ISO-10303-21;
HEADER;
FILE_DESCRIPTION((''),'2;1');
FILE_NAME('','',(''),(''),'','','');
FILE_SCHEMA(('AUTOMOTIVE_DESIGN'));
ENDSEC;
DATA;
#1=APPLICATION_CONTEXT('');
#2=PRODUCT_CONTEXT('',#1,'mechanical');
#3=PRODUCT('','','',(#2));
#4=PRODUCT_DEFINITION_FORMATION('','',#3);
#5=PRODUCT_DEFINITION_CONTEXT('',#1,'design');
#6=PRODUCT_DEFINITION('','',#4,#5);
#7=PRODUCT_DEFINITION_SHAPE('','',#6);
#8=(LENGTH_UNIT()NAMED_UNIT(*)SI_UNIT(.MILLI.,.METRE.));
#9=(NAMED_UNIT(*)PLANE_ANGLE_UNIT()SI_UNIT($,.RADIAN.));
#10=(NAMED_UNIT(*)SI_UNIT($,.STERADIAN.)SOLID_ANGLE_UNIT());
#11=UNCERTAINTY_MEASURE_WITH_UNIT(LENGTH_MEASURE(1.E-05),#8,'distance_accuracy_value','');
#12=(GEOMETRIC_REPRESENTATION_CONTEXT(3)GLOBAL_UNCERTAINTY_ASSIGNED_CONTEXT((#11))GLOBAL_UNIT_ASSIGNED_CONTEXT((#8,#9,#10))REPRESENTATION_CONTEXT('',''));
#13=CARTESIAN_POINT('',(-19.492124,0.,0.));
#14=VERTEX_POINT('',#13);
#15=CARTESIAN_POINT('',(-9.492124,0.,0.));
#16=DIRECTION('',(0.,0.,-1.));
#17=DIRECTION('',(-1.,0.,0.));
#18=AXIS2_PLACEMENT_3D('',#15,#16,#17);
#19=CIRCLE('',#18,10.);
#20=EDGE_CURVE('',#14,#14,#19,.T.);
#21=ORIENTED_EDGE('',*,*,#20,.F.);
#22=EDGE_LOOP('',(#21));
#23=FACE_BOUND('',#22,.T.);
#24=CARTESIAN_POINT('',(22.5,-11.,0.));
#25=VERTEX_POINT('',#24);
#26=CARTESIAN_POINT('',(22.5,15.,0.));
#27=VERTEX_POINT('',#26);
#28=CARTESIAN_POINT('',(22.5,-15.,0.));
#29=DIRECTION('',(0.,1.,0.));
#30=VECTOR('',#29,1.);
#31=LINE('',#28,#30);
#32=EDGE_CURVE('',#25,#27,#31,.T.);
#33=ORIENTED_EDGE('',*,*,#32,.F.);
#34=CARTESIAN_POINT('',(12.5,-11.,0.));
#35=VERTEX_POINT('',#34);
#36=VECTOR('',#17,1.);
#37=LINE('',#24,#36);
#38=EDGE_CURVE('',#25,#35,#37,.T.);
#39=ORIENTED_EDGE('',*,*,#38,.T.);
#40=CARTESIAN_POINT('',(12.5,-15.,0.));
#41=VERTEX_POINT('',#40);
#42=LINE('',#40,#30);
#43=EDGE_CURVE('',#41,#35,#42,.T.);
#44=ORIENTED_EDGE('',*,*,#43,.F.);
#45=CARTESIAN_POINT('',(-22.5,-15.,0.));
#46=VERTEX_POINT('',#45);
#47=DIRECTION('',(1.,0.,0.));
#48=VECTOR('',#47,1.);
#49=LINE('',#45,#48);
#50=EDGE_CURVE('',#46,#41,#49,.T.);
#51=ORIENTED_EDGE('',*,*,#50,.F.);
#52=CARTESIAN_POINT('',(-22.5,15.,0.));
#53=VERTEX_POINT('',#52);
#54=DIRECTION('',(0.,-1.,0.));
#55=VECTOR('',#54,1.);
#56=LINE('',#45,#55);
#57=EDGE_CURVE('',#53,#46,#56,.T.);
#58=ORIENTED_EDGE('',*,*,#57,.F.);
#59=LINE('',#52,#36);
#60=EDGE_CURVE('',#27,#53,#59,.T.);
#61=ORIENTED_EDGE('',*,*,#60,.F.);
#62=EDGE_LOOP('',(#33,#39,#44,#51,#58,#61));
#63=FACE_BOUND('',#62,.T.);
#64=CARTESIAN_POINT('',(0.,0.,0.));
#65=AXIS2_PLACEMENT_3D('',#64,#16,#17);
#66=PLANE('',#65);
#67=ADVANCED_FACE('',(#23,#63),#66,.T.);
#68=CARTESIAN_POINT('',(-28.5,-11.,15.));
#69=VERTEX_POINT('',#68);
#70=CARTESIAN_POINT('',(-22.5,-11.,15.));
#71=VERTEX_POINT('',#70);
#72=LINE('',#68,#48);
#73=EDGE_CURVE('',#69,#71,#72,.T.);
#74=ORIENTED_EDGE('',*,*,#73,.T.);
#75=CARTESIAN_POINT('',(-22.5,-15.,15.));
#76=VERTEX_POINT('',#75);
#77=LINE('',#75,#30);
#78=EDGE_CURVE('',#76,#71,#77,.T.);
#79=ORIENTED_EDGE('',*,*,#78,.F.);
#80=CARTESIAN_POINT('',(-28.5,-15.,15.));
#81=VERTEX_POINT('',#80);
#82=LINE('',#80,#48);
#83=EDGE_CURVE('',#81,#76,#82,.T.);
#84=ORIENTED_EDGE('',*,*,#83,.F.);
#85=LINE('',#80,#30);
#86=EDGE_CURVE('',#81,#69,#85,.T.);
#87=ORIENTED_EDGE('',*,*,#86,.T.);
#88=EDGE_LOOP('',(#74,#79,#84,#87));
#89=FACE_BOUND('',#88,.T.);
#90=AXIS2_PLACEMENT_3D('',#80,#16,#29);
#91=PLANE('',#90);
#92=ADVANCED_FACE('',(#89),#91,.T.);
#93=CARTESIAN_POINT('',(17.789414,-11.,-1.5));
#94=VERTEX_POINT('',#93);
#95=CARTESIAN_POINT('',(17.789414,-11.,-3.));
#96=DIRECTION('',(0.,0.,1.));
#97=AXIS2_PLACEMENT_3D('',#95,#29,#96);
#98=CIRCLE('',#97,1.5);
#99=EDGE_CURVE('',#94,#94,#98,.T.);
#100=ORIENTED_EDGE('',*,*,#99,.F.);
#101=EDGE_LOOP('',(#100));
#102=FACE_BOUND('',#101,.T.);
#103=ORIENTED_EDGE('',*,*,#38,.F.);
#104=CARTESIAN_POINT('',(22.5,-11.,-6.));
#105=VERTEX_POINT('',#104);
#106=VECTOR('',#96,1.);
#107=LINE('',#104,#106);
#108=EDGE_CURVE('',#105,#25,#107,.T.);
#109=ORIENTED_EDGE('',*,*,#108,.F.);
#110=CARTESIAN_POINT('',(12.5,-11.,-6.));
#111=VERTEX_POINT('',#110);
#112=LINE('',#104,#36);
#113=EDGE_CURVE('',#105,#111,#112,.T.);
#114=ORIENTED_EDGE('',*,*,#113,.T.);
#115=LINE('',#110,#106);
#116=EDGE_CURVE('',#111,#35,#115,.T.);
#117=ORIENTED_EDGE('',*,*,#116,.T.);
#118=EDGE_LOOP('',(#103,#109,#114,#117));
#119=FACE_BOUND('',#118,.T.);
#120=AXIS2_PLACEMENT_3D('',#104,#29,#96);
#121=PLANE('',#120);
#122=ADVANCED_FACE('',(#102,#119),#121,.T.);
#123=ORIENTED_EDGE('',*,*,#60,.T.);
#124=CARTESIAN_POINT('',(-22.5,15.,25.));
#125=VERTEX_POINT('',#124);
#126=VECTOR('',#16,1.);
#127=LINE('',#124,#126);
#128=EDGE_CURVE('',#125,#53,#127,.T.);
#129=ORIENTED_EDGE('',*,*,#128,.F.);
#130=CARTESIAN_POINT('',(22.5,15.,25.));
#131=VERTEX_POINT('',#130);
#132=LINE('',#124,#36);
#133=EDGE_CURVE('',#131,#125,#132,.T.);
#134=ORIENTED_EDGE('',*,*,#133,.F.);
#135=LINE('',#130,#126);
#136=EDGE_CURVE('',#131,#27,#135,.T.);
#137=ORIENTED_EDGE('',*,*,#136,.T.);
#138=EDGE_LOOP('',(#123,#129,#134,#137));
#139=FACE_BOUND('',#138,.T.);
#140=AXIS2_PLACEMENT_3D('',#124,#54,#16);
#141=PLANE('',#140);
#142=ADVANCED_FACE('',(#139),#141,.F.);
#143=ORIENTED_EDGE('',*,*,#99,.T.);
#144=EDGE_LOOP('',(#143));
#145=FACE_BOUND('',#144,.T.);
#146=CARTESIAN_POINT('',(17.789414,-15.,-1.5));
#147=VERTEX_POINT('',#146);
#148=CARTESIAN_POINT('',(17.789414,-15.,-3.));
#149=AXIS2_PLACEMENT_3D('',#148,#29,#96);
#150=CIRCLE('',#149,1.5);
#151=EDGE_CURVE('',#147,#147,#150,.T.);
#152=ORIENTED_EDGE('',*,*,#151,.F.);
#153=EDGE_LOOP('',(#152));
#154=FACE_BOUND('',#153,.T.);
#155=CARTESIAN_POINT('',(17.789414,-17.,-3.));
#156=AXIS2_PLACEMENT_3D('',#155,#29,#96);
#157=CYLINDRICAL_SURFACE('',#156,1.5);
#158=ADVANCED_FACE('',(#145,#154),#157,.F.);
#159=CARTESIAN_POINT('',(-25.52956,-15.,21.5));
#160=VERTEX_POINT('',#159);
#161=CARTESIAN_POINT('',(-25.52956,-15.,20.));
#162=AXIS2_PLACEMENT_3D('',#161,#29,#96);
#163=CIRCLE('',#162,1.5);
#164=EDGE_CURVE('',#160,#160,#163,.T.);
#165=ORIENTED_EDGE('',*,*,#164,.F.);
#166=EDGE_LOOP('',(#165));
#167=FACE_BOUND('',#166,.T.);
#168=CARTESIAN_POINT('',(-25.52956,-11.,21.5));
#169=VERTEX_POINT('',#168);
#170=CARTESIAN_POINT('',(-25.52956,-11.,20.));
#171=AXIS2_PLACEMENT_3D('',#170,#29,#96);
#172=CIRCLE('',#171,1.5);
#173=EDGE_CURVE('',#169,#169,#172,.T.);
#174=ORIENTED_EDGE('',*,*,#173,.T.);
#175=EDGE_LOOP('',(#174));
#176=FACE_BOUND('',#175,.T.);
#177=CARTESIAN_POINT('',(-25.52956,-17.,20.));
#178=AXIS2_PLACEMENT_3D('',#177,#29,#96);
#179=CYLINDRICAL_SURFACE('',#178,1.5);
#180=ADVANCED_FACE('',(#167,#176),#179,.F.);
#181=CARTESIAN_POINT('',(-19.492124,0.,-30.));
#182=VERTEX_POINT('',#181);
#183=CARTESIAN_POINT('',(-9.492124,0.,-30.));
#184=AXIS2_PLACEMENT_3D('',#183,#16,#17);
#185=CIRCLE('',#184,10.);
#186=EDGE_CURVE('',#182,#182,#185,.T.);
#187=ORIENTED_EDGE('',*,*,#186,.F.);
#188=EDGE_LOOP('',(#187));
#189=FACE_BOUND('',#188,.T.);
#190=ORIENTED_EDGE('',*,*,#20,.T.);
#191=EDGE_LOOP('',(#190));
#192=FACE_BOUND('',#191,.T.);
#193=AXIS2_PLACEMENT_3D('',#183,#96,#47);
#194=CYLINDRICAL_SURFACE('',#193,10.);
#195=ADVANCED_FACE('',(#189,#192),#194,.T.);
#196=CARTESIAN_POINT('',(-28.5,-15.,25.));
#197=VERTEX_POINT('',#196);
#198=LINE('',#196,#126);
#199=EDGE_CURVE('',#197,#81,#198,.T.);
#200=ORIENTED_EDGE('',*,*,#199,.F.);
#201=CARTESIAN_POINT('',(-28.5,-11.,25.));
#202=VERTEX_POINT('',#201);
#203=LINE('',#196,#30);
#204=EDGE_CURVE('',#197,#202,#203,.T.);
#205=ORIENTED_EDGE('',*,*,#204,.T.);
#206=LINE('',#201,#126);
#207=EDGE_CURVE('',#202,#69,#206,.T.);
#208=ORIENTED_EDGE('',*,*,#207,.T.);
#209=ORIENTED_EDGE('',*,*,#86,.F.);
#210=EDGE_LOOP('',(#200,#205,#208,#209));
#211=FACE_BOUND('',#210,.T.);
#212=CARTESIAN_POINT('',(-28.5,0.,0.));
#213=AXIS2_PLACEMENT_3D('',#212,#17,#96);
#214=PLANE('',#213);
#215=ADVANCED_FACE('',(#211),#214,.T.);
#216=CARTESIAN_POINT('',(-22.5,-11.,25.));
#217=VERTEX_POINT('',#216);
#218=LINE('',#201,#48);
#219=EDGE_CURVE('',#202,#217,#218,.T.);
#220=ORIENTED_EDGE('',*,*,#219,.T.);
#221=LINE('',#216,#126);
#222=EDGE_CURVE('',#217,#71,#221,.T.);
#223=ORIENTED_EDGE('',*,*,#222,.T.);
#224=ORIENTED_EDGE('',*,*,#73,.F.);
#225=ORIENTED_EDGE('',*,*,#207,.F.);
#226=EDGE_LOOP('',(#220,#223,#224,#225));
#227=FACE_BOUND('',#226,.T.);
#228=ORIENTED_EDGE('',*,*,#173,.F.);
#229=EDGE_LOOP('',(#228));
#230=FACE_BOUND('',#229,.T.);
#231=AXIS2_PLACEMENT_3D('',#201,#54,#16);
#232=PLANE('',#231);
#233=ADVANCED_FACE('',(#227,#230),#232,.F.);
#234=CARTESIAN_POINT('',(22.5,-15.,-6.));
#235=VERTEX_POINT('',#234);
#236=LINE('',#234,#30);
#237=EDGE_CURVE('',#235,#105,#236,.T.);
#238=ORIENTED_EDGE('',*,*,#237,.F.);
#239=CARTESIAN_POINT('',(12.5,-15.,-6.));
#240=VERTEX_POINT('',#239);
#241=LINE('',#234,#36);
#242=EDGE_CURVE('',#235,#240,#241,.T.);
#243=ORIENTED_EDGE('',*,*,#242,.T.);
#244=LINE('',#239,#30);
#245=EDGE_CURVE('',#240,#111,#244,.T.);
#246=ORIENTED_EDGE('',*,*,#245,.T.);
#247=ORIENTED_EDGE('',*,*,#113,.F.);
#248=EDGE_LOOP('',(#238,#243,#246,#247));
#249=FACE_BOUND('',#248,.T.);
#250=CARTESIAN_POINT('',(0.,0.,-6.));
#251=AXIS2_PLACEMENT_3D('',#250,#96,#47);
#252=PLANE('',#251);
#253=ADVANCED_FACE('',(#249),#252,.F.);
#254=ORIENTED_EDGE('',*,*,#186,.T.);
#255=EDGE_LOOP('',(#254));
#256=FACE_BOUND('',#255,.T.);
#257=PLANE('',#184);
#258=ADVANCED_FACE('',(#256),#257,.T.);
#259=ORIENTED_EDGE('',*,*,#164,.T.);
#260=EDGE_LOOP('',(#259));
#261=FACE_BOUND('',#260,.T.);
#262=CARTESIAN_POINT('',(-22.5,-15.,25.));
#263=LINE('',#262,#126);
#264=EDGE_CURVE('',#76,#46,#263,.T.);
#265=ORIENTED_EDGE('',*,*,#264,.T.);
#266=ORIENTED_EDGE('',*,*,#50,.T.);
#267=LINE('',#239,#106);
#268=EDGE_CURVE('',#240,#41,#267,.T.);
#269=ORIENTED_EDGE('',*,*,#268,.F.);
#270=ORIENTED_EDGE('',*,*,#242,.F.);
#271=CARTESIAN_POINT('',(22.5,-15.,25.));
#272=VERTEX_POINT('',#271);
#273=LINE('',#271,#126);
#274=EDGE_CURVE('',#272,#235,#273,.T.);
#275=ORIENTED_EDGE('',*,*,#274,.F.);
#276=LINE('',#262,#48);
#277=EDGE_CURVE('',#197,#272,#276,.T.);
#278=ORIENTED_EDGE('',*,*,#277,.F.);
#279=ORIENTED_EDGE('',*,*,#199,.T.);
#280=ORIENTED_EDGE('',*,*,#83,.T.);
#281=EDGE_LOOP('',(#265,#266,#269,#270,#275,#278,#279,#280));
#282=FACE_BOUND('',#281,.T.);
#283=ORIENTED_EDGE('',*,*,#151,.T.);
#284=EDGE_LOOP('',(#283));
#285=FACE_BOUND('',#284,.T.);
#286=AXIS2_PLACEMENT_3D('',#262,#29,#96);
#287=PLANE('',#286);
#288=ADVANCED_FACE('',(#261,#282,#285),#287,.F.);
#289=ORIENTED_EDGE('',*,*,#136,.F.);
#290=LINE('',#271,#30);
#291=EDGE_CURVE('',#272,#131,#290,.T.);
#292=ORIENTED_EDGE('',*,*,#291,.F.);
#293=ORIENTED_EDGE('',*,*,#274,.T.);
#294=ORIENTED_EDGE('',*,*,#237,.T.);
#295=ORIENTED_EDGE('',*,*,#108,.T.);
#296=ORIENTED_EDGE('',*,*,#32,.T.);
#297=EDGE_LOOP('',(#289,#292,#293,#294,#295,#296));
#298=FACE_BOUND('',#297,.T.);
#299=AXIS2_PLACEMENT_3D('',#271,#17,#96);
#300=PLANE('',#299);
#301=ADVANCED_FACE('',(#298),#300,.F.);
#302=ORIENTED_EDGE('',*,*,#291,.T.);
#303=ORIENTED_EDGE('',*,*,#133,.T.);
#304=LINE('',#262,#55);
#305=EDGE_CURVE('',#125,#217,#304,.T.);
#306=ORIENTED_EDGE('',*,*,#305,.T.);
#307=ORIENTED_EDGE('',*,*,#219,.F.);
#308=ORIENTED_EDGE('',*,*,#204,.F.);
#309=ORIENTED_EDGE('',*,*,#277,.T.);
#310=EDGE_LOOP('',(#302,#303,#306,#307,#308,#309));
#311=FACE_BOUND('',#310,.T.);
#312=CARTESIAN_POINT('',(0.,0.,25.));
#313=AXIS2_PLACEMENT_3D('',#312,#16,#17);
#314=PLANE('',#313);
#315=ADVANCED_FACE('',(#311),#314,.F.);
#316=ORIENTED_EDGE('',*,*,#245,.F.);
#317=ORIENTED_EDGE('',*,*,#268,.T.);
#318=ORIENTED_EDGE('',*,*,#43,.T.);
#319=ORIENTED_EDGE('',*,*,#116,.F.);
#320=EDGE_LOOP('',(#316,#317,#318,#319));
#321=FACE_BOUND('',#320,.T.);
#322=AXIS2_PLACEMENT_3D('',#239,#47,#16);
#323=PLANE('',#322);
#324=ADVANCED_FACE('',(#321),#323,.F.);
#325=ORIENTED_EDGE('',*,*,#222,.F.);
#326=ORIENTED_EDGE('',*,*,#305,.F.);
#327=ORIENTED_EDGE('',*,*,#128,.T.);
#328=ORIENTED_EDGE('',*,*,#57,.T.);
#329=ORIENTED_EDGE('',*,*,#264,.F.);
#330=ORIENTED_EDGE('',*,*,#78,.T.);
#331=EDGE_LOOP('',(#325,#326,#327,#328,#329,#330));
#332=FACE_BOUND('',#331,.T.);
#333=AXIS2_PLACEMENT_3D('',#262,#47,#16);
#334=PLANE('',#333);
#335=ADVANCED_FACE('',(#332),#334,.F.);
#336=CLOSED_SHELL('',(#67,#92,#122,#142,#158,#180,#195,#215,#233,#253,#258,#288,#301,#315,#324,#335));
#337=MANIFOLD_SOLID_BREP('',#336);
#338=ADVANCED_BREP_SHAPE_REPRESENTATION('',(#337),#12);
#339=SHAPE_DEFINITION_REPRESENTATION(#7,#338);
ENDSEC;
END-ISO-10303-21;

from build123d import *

# Parameters (mm, degrees)
ESQUISSE1_W             = 45
ESQUISSE1_H             = 30
BOSS_EXTRU_1_DEPTH      = 25
ESQUISSE2_R             = 10
BOSS_EXTRU_2_DEPTH      = 30
ESQUISSE3_W             = 10
ESQUISSE3_H             = 4
BOSS_EXTRU_3_DEPTH      = 6
ESQUISSE4_R             = 1.5
ENL_V_MAT_EXTRU_1_DEPTH = 6
ESQUISSE6_W             = 10
ESQUISSE6_H             = 4
BOSS_EXTRU_4_DEPTH      = 6
ESQUISSE7_R             = 1.5
ENL_V_MAT_EXTRU_2_DEPTH = 6


with BuildPart() as part:
    # Esquisse1 → Boss.-Extru.1 (new body)
    with BuildSketch(Plane.XY):
        Rectangle(ESQUISSE1_W, ESQUISSE1_H)
    extrude(amount=BOSS_EXTRU_1_DEPTH)

    # Esquisse2 → Boss.-Extru.2 (add)
    with BuildSketch(Plane(origin=(0, 0, 0), x_dir=(-1, 0, 0), z_dir=(0, 0, -1))):
        with Locations((9.492124495, 0)):
            Circle(ESQUISSE2_R)
    extrude(amount=BOSS_EXTRU_2_DEPTH)

    # Esquisse3 → Boss.-Extru.3 (add)
    with BuildSketch(Plane.ZY.offset(22.5)):
        with Locations((20, -13)):
            Rectangle(ESQUISSE3_W, ESQUISSE3_H)
    extrude(amount=BOSS_EXTRU_3_DEPTH)

    # Esquisse4 → Enlèv. mat.-Extru.1 (cut)
    with BuildSketch(Plane(origin=(0, -11, 0), x_dir=(1, 0, 0), z_dir=(0, 1, 0))):
        with Locations(Location((-25.529560032, -20, 0), (0, 0, 270))):
            Circle(ESQUISSE4_R)
    extrude(amount=-ENL_V_MAT_EXTRU_1_DEPTH, mode=Mode.SUBTRACT)

    # Esquisse6 → Boss.-Extru.4 (add)
    with BuildSketch(Plane(origin=(0, 0, 0), x_dir=(-1, 0, 0), z_dir=(0, 0, -1))):
        with Locations((-17.5, -13)):
            Rectangle(ESQUISSE6_W, ESQUISSE6_H)
    extrude(amount=BOSS_EXTRU_4_DEPTH)

    # Esquisse7 → Enlèv. mat.-Extru.2 (cut)
    with BuildSketch(Plane(origin=(0, -11, 0), x_dir=(1, 0, 0), z_dir=(0, 1, 0))):
        with Locations(Location((17.789413963, 3, 0), (0, 0, 270))):
            Circle(ESQUISSE7_R)
    extrude(amount=-ENL_V_MAT_EXTRU_2_DEPTH, mode=Mode.SUBTRACT)


solid = part.part
